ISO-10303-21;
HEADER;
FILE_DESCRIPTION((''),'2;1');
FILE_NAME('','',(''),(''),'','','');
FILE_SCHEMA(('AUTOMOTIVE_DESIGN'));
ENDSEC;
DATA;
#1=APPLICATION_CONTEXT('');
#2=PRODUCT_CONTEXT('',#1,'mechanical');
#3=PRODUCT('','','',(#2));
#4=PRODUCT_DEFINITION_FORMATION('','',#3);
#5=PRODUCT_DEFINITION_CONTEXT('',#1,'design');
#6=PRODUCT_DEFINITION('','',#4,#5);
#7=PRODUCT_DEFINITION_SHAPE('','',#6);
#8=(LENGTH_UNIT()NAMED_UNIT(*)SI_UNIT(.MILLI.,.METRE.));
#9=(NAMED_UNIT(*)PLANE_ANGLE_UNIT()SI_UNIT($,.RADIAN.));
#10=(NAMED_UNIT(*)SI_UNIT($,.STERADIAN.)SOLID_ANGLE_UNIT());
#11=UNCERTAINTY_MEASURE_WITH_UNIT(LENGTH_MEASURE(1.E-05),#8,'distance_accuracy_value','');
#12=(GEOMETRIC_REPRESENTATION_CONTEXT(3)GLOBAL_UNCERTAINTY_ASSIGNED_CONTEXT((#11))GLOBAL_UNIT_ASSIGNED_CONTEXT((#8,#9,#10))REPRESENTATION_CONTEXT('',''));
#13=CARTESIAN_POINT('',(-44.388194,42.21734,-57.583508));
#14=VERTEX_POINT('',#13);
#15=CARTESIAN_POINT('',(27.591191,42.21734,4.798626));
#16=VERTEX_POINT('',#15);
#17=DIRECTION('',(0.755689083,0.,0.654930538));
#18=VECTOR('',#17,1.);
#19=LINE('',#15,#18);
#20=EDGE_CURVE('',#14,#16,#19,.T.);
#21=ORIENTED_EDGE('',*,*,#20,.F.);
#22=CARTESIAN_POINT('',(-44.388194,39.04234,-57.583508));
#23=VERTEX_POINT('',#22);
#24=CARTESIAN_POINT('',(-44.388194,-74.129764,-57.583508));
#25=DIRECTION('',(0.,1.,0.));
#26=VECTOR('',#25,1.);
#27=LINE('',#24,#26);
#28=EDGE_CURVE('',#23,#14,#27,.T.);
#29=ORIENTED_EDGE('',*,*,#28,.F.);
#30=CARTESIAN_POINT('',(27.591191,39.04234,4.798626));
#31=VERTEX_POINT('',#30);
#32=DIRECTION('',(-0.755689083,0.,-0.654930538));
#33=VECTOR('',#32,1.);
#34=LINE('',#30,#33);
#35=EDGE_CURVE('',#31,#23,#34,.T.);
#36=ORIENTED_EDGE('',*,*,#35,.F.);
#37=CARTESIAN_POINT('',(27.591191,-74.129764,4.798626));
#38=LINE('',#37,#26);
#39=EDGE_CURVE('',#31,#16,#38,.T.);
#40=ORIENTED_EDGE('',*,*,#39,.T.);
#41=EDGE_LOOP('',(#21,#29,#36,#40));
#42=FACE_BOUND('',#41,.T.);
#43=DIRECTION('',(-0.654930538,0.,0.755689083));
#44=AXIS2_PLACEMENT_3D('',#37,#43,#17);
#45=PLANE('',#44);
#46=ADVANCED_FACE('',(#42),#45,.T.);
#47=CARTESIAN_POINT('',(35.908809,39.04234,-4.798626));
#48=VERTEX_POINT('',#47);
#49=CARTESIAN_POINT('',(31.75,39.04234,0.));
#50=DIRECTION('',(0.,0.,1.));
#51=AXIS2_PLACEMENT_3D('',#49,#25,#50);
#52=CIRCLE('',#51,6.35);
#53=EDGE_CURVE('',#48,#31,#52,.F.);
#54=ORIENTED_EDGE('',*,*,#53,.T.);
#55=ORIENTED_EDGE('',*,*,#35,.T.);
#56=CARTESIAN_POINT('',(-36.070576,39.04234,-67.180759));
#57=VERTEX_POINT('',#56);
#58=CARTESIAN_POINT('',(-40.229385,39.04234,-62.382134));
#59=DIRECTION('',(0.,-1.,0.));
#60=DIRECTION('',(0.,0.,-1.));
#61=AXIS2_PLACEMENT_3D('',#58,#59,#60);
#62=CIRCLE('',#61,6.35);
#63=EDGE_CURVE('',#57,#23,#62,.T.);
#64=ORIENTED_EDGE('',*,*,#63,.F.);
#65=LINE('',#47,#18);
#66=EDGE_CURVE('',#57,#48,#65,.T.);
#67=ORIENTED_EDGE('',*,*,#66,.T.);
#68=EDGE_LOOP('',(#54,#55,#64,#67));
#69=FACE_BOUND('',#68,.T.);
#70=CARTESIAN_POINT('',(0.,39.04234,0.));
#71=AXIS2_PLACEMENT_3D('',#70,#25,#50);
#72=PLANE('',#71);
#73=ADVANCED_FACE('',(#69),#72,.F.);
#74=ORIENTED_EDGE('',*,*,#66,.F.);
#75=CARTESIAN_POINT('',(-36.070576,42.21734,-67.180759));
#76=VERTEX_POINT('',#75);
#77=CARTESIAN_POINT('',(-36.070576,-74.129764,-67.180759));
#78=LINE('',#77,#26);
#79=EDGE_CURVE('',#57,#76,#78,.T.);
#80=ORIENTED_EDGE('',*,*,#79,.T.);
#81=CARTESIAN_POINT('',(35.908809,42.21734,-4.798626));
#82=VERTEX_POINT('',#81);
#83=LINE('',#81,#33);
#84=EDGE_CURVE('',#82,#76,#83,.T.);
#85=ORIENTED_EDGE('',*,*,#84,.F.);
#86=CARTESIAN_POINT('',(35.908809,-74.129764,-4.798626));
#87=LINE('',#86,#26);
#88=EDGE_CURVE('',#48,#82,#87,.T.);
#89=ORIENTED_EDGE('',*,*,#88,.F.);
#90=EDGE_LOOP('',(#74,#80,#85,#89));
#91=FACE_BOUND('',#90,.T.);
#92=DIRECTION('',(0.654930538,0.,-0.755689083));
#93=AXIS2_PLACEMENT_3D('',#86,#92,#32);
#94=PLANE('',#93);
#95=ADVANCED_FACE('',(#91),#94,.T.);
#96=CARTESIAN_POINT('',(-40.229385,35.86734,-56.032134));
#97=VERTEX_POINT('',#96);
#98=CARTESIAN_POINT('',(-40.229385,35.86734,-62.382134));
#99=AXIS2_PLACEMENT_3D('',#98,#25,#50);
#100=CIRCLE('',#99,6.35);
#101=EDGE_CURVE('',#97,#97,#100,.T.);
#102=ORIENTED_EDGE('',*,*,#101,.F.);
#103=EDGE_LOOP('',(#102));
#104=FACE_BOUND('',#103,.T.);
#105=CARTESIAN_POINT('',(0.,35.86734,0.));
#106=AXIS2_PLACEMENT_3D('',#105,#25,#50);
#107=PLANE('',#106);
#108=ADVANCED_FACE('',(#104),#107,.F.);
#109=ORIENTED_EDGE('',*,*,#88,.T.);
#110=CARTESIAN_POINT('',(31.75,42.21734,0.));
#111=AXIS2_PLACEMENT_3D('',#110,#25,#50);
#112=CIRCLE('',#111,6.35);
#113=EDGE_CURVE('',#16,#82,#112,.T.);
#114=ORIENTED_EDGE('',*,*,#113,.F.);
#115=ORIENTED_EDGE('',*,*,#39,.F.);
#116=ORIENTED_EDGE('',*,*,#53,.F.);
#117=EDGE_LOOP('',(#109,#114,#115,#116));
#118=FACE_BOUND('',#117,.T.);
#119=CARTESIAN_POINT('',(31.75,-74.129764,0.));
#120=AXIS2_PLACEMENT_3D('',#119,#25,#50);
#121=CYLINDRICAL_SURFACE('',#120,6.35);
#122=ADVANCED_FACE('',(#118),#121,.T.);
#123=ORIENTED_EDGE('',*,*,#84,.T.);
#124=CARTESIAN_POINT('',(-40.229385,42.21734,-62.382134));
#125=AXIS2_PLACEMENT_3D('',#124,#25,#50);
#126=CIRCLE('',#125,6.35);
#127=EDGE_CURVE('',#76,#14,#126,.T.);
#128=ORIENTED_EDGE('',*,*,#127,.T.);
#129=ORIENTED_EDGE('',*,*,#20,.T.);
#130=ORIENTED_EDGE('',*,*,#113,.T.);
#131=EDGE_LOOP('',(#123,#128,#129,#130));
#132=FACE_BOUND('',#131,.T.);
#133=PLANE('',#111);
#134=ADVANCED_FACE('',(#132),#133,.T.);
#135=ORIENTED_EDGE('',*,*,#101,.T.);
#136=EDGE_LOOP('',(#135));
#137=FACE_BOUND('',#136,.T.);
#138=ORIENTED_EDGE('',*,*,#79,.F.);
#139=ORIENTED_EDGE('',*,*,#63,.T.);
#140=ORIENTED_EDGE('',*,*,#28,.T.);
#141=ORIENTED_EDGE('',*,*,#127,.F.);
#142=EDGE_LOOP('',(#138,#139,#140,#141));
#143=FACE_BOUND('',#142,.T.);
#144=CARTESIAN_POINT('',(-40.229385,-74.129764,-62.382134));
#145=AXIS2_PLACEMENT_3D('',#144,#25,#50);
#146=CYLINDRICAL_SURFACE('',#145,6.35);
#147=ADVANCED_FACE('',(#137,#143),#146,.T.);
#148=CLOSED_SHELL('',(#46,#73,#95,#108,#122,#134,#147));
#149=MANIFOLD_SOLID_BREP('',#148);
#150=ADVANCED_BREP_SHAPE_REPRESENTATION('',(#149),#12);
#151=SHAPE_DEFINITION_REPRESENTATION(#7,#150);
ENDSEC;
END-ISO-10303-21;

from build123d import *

# Parameters (mm, degrees)
BOSS_EXTRUDE1_DEPTH = 3.175
SKETCH4_R           = 6.35
BOSS_EXTRUDE2_DEPTH = 3.175


with BuildPart() as part:
    # Sketch3 → Boss-Extrude1 (new body)
    with BuildSketch(Plane(origin=(0, 42.21734, 0), x_dir=(1, 0, 0), z_dir=(0, 1, 0))):
        with BuildLine():
            Line((35.908808919, 4.798625676), (-36.070576217, 67.18075946))
            ThreePointArc((-36.070576217, 67.18075946), (-45.028010811, 66.540942703), (-44.388194055, 57.583508109))
            Line((-44.388194055, 57.583508109), (27.591191081, -4.798625676))
            ThreePointArc((27.591191081, -4.798625676), (36.548625676, -4.158808919), (35.908808919, 4.798625676))
        make_face()
    extrude(amount=-BOSS_EXTRUDE1_DEPTH)

    # Sketch4 → Boss-Extrude2 (add)
    with BuildSketch(Plane.XZ.offset(-39.04234)):
        with Locations((-40.229385136, -62.382133784)):
            Circle(SKETCH4_R)
    extrude(amount=BOSS_EXTRUDE2_DEPTH)


solid = part.part
